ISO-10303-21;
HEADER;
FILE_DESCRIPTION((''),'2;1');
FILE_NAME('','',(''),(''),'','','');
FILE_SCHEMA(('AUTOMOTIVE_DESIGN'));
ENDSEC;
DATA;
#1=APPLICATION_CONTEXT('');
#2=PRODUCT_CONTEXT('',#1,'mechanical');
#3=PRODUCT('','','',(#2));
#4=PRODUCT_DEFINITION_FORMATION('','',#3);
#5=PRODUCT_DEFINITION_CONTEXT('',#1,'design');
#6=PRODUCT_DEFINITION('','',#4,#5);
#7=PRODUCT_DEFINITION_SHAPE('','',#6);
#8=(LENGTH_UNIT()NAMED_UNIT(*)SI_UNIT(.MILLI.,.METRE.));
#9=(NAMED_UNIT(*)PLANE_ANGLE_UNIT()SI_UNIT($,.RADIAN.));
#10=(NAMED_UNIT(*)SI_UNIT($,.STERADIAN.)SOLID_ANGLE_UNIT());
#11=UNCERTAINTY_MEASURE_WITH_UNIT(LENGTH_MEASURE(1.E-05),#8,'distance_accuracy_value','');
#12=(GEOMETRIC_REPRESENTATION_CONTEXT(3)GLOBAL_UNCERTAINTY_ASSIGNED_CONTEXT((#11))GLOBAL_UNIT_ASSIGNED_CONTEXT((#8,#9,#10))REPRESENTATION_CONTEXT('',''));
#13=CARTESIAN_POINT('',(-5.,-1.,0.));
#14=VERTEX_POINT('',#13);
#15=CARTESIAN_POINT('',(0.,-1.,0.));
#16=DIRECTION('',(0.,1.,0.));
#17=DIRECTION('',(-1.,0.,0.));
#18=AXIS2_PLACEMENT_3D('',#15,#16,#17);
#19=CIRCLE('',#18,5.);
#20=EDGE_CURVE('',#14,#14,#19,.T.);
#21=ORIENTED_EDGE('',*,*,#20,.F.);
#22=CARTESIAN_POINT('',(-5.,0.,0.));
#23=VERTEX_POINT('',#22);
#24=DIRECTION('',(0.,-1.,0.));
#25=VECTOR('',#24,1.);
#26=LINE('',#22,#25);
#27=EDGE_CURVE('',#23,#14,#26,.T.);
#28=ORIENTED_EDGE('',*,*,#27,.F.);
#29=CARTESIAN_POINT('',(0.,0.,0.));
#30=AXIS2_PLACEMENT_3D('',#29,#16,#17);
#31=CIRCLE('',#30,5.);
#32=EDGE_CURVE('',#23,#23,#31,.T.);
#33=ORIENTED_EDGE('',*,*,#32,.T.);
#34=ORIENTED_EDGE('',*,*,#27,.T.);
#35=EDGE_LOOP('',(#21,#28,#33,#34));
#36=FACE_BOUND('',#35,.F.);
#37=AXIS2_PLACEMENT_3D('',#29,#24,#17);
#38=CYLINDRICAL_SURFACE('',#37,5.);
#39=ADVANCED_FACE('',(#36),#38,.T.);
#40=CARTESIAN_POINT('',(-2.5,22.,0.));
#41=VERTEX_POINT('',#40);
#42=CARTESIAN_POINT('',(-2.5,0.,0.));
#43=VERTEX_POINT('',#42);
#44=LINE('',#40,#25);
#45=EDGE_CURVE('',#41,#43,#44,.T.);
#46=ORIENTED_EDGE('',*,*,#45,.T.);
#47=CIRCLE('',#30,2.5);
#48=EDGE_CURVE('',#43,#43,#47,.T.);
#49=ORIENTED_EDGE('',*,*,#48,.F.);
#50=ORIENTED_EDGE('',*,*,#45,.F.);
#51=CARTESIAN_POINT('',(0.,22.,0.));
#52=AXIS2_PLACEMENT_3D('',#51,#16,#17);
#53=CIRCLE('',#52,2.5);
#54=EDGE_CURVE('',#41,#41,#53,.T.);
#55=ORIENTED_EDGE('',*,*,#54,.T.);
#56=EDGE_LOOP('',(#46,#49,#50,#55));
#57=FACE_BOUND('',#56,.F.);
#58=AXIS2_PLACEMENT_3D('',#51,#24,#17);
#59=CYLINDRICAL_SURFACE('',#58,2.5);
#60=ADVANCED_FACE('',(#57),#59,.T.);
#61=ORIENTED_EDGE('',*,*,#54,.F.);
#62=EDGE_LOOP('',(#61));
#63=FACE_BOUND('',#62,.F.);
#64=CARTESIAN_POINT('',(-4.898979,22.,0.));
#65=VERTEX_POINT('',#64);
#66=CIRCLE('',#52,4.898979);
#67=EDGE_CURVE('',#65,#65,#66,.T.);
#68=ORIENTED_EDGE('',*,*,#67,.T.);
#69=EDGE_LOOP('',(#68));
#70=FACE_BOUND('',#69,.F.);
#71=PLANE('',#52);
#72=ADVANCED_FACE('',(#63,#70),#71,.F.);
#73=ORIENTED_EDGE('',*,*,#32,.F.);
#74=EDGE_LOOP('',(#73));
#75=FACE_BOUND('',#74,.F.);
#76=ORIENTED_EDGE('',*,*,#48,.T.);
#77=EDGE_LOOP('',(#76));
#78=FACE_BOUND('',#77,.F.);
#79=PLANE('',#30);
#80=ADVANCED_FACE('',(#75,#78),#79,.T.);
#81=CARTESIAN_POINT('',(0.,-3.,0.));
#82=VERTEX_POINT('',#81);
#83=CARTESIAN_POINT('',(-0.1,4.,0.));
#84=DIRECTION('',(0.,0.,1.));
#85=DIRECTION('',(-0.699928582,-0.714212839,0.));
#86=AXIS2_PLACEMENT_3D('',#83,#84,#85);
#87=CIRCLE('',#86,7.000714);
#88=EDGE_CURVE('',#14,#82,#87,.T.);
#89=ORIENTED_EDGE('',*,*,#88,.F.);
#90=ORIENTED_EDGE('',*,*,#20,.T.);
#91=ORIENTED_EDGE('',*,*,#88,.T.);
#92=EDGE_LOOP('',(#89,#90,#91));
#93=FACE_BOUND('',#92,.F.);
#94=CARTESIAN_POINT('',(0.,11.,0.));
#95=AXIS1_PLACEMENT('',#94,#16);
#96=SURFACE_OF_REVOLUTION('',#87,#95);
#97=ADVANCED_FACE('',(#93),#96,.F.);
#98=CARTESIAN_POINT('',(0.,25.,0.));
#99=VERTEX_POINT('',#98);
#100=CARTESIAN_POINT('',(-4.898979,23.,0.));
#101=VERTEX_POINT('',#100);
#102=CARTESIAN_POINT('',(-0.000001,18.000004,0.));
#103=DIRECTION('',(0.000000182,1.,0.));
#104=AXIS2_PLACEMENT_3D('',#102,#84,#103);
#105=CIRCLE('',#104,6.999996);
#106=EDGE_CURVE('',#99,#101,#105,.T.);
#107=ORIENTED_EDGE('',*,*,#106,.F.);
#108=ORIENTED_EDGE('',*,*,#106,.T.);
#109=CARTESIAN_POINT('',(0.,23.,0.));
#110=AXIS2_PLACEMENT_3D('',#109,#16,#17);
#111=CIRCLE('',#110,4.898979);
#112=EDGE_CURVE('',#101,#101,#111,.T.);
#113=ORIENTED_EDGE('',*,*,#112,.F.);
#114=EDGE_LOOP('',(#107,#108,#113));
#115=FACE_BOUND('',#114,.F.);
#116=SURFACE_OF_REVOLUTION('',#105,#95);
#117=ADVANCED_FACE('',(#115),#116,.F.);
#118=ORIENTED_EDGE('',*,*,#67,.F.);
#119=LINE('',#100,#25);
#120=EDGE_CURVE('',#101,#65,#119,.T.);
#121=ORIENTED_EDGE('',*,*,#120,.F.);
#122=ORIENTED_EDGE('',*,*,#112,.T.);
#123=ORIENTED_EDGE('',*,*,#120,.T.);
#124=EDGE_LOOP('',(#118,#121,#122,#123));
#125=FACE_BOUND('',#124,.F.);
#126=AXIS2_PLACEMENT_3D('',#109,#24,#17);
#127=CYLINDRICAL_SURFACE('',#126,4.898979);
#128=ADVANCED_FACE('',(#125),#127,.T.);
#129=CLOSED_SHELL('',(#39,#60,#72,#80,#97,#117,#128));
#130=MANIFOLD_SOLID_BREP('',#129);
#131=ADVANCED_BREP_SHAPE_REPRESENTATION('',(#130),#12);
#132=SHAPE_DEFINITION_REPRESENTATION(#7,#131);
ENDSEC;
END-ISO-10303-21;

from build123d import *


with BuildPart() as f1:
    # F0 (on Top) → F1 (revolve)
    with BuildSketch(Plane.XY):
        with BuildLine():
            Line((-4.898979, 22), (-2.5, 22))
            Line((-2.5, 22), (-2.5, 0))
            Line((-2.5, 0), (-5, 0))
            Line((-5, 0), (-5, -1))
            ThreePointArc((-5, -1), (-2.7, -2.5), (0, -3))
            Line((0, -3), (0, 25))
            ThreePointArc((0, 25), (-2.645751, 24.480741), (-4.898979, 23))
            Line((-4.898979, 23), (-4.898979, 22))
        make_face()
    revolve(axis=Axis((0, 11, 0), (0, 1, 0)))


solid = f1.part
